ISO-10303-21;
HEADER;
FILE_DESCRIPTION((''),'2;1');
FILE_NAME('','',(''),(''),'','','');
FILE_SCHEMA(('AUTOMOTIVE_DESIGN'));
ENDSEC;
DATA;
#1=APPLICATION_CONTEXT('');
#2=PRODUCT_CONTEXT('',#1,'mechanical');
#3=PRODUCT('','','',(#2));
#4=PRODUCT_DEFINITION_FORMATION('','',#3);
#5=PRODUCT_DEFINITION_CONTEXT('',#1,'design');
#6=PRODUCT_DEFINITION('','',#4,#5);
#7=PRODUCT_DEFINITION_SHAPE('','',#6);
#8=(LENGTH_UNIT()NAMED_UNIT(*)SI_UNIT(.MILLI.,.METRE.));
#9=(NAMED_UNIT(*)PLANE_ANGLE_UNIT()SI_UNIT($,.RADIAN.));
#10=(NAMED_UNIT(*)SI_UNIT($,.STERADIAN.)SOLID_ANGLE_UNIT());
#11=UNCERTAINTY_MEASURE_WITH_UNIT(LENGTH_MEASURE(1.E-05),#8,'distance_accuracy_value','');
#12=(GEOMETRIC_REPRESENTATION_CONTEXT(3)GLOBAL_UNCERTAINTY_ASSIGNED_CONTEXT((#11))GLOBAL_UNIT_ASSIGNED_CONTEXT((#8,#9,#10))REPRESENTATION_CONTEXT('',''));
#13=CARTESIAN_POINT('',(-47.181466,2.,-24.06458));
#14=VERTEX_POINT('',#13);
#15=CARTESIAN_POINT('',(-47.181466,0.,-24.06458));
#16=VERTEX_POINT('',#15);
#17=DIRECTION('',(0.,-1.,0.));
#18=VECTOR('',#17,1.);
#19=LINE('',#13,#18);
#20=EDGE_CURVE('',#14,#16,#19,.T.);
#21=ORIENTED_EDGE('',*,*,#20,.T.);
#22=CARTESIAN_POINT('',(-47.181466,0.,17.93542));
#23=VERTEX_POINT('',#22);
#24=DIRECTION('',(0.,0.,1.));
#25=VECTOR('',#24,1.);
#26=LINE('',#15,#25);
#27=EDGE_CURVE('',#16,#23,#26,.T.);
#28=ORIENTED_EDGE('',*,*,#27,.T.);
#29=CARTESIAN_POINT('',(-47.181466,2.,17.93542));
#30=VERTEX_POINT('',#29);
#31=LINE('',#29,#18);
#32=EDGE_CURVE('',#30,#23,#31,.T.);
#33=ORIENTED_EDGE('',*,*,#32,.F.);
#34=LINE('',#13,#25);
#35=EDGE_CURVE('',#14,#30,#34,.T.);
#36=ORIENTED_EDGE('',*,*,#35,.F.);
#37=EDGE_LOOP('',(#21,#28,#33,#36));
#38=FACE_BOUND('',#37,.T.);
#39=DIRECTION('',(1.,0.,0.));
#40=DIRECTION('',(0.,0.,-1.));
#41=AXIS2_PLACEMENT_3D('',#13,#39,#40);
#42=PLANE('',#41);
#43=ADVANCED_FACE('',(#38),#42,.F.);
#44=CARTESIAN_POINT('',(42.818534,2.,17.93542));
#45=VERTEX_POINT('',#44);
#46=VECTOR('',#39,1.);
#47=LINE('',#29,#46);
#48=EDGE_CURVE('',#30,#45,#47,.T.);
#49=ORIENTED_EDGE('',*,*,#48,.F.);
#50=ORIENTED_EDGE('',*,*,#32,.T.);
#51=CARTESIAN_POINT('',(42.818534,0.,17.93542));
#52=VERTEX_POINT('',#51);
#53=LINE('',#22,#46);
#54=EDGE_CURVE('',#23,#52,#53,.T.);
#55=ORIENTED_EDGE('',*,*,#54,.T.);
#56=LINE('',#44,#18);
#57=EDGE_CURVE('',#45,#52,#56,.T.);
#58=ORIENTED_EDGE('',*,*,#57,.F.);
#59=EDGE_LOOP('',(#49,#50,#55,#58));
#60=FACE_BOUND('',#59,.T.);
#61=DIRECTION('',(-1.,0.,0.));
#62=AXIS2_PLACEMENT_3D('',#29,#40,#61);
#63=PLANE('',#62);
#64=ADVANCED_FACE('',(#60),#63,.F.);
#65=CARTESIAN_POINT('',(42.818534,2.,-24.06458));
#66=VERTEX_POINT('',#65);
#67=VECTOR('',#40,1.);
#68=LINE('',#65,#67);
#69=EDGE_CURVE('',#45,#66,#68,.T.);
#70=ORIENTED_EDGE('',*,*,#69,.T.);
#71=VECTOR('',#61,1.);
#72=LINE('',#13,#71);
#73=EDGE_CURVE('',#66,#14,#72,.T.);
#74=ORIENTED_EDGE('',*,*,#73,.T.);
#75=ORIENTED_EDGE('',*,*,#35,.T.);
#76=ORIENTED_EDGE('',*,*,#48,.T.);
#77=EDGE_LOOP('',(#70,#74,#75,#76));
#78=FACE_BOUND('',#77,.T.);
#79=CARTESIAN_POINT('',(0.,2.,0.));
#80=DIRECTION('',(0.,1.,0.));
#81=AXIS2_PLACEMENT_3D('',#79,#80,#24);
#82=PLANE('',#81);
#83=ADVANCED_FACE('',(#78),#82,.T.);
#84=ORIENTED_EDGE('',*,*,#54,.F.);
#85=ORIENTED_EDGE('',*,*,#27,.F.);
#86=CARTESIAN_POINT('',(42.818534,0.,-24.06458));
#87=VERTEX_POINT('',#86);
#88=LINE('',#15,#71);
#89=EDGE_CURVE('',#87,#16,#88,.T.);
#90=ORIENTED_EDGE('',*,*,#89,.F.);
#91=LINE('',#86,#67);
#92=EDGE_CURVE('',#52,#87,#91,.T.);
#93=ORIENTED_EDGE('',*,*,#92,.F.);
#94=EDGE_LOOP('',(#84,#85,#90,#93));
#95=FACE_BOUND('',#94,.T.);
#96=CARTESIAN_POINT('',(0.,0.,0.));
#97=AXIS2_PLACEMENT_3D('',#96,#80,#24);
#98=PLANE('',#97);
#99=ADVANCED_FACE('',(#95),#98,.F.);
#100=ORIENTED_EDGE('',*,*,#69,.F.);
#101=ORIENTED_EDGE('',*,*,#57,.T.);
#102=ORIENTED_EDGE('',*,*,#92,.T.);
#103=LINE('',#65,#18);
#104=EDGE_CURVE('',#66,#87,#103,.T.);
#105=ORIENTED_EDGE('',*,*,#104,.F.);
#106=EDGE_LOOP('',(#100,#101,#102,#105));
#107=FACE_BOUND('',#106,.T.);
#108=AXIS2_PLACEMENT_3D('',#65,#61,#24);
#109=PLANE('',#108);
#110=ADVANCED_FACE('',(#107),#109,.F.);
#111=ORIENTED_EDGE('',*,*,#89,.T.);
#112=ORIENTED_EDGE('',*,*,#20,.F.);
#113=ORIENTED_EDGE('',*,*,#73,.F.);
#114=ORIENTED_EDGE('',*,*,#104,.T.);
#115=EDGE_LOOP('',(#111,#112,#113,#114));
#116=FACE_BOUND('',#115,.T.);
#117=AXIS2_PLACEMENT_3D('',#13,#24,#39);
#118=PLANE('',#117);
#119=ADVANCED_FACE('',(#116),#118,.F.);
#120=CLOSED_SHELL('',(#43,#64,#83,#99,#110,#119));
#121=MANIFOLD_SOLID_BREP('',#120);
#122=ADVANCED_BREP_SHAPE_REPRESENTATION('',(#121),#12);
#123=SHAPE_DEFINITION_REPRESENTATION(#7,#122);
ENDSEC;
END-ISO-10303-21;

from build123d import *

# Parameters (mm, degrees)
SKETCH_1_W      = 90
SKETCH_1_H      = 42
EXTRUDE_1_DEPTH = 2


with BuildPart() as part:
    # 草图1 → 凸台-拉伸1 (new body)
    with BuildSketch(Plane(origin=(0, 0, 0), x_dir=(1, 0, 0), z_dir=(0, 1, 0))):
        with Locations((-2.181466113, 3.064579662)):
            Rectangle(SKETCH_1_W, SKETCH_1_H)
    extrude(amount=EXTRUDE_1_DEPTH)


solid = part.part
